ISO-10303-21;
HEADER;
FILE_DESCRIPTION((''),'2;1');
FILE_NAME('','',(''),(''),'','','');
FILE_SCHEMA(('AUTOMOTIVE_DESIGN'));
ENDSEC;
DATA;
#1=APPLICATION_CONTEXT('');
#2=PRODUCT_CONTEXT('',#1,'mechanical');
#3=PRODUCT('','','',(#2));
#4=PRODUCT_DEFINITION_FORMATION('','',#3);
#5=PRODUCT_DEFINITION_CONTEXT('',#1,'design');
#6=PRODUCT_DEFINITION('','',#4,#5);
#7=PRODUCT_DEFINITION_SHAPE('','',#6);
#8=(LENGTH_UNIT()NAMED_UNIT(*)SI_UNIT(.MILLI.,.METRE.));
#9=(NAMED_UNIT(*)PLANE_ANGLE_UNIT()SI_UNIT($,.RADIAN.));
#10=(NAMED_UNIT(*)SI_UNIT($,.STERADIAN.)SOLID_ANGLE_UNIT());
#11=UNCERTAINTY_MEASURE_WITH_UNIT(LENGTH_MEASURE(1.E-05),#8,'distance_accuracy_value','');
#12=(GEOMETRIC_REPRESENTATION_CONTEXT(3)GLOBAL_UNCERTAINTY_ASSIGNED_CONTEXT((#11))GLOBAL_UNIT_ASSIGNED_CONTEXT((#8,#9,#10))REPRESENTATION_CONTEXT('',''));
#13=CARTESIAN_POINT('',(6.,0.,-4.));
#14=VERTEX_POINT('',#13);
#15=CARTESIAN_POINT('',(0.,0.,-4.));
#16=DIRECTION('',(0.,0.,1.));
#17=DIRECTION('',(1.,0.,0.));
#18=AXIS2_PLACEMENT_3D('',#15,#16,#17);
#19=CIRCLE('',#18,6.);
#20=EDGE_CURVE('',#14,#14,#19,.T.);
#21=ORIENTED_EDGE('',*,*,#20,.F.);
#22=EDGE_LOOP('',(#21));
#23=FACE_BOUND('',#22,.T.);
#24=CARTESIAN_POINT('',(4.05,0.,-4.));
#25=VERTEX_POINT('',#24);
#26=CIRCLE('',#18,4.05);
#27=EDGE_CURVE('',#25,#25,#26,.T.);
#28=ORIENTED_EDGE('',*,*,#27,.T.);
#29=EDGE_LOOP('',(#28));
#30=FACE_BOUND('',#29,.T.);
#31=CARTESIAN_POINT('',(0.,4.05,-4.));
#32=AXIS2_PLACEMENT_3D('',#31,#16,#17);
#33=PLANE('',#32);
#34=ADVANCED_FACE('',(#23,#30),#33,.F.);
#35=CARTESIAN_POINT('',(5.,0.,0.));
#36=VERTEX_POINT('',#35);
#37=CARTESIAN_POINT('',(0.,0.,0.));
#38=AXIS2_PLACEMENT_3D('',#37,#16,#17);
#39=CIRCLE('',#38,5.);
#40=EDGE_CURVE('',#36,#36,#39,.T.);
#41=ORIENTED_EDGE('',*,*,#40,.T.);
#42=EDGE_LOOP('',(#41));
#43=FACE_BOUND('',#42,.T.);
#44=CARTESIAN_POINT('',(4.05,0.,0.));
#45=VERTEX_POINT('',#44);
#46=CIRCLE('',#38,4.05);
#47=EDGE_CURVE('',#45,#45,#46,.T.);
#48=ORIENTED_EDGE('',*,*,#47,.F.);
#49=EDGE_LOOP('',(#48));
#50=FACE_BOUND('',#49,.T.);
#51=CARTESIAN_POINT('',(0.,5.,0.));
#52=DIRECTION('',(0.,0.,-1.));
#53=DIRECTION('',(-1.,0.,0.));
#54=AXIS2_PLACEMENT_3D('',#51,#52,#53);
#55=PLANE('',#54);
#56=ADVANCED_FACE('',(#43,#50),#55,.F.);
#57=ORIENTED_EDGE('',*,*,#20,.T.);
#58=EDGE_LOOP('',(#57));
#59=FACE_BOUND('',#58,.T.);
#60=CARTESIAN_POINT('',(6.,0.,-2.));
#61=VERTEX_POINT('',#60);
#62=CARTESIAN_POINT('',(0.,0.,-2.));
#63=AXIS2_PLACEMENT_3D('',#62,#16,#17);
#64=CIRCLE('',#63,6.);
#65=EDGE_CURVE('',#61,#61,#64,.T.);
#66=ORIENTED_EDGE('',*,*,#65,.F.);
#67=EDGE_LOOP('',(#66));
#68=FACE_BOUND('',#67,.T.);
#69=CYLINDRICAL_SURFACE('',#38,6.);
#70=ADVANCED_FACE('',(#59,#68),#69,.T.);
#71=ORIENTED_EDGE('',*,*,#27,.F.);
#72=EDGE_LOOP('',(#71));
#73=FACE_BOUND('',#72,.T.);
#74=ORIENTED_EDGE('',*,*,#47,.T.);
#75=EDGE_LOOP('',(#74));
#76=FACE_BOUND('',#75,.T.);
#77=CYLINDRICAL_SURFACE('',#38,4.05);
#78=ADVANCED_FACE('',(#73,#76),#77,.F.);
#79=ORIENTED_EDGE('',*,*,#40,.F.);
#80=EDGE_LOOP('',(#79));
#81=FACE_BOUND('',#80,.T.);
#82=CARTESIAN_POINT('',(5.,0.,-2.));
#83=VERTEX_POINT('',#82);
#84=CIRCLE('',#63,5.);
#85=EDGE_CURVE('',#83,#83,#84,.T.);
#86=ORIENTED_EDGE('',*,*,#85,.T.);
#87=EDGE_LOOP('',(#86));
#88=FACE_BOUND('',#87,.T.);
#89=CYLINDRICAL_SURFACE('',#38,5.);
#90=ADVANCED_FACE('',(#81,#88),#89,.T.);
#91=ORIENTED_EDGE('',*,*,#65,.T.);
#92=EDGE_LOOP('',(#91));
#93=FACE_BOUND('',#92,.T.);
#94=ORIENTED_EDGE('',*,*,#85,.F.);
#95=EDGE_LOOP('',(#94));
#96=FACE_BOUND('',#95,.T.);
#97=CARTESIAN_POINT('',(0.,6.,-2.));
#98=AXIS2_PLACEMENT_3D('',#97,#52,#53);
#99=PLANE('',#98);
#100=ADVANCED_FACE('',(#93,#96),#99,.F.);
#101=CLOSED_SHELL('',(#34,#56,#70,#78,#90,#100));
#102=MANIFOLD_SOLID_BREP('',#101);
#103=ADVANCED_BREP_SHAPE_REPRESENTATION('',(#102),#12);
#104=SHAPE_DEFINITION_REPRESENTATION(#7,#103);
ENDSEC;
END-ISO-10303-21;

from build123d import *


with BuildPart() as part:
    # Sketch1 → Revolve1 (revolve)
    with BuildSketch(Plane(origin=(0, 0, 0), x_dir=(0, 0, -1), z_dir=(1, 0, 0)), mode=Mode.PRIVATE) as revolve1_sk:
        Polygon((0, 4.05), (4, 4.05), (4, 6), (2, 6), (2, 5), (0, 5), align=None)
    revolve(revolve1_sk.sketch.rotate(Axis((0, 0, 0), (0, 0, -1)), 90), axis=Axis((0, 0, 0), (0, 0, -1)))


solid = part.part
